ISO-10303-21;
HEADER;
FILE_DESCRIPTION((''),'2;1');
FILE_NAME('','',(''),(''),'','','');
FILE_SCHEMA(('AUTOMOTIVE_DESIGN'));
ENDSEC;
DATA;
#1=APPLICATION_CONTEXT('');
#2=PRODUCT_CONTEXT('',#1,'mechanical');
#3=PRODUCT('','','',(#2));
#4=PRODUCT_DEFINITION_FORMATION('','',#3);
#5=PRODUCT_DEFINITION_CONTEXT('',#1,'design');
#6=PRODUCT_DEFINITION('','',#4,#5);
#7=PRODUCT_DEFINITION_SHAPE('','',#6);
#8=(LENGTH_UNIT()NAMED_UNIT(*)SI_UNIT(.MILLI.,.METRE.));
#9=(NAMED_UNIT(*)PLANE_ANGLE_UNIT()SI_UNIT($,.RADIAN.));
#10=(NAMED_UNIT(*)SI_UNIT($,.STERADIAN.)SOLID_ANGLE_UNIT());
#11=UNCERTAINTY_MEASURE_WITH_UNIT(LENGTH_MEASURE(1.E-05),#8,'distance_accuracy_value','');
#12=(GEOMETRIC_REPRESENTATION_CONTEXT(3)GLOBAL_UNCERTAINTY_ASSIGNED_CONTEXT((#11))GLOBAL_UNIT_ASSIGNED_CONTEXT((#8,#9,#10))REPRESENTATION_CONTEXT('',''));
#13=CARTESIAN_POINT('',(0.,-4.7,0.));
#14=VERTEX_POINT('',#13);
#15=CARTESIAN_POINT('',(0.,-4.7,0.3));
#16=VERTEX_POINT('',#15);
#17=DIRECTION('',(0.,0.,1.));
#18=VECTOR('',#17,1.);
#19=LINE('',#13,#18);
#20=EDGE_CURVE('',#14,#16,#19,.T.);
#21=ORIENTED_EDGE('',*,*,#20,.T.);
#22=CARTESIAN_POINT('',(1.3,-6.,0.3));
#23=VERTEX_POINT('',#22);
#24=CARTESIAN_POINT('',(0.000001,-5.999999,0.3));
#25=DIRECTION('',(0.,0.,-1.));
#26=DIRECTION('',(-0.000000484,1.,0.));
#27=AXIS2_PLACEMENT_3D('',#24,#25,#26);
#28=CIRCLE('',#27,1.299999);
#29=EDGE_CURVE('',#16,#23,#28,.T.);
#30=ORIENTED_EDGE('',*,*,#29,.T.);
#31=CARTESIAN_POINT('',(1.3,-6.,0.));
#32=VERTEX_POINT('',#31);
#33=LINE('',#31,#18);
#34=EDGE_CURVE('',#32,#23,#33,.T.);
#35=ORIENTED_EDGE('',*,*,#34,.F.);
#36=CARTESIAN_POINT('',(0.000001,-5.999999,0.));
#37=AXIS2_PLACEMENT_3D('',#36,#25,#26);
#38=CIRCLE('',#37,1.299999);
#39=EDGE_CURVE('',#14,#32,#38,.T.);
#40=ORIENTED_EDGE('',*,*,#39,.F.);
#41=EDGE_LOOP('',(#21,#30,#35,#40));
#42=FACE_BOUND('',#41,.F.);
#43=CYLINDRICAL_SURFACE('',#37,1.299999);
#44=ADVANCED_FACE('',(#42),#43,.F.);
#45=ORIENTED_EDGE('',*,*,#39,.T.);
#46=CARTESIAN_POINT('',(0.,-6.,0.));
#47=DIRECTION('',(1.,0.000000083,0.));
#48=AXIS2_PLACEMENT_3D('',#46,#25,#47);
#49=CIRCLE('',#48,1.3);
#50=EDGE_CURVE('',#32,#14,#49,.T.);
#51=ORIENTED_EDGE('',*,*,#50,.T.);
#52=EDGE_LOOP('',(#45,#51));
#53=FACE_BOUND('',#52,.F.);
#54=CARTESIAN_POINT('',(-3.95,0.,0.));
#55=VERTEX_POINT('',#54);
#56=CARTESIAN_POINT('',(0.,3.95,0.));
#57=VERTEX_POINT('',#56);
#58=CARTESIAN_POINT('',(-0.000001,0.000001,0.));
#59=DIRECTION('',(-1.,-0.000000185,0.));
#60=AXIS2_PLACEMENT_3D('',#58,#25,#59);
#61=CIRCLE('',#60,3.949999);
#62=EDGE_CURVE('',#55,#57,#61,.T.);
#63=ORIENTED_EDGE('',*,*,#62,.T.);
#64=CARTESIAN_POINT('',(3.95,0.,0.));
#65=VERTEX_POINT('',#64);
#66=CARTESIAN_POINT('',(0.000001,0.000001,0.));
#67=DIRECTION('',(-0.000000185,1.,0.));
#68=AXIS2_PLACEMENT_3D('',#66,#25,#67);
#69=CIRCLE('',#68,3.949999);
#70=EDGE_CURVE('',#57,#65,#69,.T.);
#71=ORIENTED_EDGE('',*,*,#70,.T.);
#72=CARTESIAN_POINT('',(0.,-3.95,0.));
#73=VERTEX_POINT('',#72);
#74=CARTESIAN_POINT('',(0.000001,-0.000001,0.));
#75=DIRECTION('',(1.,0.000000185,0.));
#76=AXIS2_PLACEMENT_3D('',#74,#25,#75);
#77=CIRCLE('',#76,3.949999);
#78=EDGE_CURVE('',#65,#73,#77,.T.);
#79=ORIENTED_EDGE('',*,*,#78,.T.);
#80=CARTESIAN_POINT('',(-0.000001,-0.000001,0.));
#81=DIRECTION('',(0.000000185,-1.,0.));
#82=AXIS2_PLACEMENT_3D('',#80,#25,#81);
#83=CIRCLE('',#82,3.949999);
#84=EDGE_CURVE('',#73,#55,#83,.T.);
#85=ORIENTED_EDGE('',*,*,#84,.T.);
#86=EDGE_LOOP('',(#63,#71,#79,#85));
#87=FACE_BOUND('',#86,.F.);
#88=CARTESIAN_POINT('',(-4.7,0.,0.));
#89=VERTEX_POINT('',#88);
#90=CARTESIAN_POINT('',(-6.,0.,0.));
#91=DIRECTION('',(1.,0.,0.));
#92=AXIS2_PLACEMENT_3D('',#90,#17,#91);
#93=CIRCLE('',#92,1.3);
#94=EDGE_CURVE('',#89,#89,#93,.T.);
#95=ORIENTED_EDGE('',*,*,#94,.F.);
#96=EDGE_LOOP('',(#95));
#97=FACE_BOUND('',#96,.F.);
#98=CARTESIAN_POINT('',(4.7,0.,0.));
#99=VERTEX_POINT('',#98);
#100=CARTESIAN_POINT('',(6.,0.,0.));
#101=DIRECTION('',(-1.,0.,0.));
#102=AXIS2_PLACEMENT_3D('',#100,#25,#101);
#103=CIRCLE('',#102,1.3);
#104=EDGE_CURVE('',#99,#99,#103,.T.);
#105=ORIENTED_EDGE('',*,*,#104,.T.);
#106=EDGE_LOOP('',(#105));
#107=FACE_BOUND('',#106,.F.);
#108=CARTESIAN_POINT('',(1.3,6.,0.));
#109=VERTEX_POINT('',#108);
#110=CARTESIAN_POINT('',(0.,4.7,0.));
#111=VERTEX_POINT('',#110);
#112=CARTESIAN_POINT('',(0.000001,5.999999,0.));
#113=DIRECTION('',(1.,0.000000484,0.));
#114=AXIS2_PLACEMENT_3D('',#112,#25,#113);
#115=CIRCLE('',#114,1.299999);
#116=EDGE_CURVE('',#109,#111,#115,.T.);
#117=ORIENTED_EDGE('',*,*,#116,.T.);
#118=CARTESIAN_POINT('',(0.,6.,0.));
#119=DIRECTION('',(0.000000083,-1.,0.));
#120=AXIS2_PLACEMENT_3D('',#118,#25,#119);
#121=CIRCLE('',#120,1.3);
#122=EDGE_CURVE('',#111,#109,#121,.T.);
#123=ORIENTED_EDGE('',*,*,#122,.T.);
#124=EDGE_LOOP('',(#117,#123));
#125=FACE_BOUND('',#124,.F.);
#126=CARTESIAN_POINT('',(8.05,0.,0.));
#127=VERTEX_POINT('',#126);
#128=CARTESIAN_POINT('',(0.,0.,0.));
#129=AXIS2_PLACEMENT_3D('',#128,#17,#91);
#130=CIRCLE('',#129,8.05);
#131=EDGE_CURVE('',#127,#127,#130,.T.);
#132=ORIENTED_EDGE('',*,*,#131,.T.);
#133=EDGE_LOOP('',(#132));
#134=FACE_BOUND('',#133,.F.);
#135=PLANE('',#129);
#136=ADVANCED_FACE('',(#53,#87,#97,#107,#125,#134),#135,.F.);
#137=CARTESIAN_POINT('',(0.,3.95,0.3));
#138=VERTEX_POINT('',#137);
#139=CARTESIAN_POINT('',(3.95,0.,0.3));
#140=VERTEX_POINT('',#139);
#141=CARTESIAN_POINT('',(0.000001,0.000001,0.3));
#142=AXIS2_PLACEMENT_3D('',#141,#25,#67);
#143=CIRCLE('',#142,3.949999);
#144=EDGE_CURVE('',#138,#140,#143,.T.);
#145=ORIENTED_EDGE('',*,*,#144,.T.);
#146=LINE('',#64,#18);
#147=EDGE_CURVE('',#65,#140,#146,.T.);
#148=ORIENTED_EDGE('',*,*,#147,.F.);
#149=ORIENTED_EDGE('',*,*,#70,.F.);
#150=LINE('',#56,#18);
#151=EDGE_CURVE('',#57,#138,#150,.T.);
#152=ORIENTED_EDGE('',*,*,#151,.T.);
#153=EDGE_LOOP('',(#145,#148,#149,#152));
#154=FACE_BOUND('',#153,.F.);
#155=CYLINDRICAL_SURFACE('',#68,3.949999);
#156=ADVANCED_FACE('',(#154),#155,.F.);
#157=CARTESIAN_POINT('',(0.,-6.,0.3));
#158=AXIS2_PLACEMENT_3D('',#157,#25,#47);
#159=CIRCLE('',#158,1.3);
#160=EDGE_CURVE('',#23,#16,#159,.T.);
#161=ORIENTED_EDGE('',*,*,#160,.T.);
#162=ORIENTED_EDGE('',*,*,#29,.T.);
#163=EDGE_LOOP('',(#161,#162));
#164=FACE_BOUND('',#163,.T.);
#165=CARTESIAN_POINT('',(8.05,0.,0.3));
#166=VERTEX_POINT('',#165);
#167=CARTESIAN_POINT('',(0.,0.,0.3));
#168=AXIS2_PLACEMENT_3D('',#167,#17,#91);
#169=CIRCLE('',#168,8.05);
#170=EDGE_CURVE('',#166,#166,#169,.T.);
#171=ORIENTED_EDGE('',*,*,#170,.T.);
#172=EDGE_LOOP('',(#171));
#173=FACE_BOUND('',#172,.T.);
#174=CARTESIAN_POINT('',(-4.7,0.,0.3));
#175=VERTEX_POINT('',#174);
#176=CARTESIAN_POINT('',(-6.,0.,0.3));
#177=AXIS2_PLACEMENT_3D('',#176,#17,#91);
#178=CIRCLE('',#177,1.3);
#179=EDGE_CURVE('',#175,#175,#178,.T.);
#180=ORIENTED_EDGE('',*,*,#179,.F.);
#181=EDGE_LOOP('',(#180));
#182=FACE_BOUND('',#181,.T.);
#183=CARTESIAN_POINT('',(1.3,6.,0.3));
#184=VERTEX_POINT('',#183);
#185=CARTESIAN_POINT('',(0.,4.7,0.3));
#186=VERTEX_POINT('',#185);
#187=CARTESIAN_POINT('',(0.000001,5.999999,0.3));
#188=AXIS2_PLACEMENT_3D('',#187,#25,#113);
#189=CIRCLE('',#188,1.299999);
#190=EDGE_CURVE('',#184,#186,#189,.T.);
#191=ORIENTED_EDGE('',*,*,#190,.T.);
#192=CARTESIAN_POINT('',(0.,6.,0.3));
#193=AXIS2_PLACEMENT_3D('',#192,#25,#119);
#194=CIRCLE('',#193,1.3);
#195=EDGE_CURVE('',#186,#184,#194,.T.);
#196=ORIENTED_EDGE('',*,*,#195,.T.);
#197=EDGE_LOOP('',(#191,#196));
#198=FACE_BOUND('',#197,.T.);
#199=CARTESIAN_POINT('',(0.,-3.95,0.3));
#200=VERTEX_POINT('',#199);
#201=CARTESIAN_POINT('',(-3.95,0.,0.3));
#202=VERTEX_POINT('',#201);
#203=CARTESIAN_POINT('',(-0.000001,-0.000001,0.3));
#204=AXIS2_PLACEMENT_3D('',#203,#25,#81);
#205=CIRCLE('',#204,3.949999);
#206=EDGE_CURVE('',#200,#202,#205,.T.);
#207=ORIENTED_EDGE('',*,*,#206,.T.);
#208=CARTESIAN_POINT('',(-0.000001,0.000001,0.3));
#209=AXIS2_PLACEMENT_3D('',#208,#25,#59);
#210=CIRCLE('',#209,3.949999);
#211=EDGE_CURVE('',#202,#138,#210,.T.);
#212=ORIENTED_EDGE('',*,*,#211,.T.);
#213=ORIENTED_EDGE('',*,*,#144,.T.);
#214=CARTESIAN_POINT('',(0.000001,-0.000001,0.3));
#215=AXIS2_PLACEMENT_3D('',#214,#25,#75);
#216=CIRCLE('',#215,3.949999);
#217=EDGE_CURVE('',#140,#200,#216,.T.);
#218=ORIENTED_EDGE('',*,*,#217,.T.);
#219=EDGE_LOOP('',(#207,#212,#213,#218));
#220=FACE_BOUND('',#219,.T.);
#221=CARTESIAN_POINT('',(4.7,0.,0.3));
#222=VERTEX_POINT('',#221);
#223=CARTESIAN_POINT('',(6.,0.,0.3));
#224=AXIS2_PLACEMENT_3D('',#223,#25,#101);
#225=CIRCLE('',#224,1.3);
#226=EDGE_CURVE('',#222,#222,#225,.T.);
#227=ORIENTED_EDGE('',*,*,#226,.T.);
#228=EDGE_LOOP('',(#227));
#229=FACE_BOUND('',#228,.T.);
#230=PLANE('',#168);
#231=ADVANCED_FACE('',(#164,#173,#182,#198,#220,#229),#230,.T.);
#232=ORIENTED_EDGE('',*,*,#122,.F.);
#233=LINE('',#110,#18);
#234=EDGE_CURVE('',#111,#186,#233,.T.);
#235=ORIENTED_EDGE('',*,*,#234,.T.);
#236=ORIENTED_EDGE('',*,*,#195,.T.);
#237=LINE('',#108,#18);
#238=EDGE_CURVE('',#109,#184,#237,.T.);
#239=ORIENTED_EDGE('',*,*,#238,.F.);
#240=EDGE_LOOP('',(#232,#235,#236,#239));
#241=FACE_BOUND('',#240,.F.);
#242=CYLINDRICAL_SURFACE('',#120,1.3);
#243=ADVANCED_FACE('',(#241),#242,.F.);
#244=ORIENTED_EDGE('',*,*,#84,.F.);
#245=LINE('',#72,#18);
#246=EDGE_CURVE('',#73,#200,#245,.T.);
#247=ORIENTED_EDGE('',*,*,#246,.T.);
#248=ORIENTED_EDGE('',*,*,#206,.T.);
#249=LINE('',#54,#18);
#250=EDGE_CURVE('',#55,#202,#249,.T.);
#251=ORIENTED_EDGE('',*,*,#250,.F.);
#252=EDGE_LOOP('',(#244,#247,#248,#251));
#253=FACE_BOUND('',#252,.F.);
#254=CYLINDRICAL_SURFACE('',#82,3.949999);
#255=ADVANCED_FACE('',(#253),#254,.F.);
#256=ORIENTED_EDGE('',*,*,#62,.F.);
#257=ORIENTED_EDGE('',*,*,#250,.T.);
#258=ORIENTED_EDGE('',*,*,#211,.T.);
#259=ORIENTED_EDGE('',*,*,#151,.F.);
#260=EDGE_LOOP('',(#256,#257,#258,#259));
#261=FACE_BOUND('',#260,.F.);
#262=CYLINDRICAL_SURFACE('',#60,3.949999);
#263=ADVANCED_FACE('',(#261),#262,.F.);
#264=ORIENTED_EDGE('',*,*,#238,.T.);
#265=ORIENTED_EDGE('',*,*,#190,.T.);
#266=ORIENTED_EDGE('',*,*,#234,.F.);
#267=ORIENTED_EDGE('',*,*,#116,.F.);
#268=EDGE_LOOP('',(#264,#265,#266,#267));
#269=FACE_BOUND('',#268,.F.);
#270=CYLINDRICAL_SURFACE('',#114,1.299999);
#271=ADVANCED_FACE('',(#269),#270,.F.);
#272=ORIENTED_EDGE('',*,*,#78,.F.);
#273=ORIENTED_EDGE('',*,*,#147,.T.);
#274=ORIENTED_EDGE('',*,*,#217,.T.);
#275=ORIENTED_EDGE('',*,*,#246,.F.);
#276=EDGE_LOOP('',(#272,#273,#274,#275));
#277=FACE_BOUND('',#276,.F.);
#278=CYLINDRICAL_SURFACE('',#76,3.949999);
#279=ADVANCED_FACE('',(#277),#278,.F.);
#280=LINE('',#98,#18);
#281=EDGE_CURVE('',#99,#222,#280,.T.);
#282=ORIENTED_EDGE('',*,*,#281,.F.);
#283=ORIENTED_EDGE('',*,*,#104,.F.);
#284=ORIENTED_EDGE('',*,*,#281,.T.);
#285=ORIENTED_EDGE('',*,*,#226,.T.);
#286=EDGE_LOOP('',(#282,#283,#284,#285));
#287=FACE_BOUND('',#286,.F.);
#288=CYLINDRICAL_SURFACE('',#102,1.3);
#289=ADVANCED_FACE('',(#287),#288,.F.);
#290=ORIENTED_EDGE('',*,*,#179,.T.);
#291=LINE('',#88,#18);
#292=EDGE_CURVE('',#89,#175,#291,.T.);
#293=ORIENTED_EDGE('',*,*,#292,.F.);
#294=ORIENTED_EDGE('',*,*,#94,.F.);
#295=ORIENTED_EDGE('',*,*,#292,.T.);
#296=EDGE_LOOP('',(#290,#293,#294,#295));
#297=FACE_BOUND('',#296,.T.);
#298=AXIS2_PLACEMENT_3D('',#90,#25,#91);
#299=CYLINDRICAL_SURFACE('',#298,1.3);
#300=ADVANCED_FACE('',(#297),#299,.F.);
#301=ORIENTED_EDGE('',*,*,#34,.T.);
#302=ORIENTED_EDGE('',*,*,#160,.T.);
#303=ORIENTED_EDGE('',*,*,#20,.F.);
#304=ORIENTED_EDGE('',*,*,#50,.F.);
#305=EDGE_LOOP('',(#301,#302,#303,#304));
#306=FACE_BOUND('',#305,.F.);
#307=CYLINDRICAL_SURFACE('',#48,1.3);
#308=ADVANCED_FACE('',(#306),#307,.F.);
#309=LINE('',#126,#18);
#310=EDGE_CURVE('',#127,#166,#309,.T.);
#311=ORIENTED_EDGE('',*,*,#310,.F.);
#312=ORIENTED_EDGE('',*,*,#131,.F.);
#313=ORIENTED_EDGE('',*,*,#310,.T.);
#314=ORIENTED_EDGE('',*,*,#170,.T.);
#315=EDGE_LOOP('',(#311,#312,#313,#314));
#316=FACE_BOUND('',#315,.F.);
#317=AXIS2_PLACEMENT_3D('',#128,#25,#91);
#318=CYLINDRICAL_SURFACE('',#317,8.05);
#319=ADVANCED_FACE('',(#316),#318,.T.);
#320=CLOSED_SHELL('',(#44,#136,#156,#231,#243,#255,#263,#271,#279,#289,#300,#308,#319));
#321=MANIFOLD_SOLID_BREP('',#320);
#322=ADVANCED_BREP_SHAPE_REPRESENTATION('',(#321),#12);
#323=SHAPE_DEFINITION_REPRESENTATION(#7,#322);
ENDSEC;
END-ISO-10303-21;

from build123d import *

# Parameters (mm, degrees)
F0_R     = 8.05
F0_R_2   = 1.3
F1_DEPTH = 0.3


with BuildPart() as f1:
    # F0 (on Top) → F1 (new body)
    with BuildSketch(Plane.XY):
        Circle(F0_R)
        with BuildLine():
            ThreePointArc((1.3, -6), (-0.919239, -6.919239), (0, -4.7))
            ThreePointArc((0, -4.7), (0.919239, -5.080761), (1.3, -6))
        make_face(mode=Mode.SUBTRACT)
        with Locations((-6, 0)):
            Circle(F0_R_2, mode=Mode.SUBTRACT)
        with BuildLine():
            ThreePointArc((0, -3.95), (-2.793072, -2.793072), (-3.95, 0))
            ThreePointArc((-3.95, 0), (-2.793072, 2.793072), (0, 3.95))
            ThreePointArc((0, 3.95), (2.793072, 2.793072), (3.95, 0))
            ThreePointArc((3.95, 0), (2.793072, -2.793072), (0, -3.95))
        make_face(mode=Mode.SUBTRACT)
        with BuildLine():
            ThreePointArc((7.3, 0), (6, -1.3), (4.7, 0))
            ThreePointArc((4.7, 0), (6, 1.3), (7.3, 0))
        make_face(mode=Mode.SUBTRACT)
        with BuildLine():
            ThreePointArc((1.3, 6), (0.919239, 5.080761), (0, 4.7))
            ThreePointArc((0, 4.7), (-0.919239, 6.919239), (1.3, 6))
        make_face(mode=Mode.SUBTRACT)
    extrude(amount=F1_DEPTH)


solid = f1.part
